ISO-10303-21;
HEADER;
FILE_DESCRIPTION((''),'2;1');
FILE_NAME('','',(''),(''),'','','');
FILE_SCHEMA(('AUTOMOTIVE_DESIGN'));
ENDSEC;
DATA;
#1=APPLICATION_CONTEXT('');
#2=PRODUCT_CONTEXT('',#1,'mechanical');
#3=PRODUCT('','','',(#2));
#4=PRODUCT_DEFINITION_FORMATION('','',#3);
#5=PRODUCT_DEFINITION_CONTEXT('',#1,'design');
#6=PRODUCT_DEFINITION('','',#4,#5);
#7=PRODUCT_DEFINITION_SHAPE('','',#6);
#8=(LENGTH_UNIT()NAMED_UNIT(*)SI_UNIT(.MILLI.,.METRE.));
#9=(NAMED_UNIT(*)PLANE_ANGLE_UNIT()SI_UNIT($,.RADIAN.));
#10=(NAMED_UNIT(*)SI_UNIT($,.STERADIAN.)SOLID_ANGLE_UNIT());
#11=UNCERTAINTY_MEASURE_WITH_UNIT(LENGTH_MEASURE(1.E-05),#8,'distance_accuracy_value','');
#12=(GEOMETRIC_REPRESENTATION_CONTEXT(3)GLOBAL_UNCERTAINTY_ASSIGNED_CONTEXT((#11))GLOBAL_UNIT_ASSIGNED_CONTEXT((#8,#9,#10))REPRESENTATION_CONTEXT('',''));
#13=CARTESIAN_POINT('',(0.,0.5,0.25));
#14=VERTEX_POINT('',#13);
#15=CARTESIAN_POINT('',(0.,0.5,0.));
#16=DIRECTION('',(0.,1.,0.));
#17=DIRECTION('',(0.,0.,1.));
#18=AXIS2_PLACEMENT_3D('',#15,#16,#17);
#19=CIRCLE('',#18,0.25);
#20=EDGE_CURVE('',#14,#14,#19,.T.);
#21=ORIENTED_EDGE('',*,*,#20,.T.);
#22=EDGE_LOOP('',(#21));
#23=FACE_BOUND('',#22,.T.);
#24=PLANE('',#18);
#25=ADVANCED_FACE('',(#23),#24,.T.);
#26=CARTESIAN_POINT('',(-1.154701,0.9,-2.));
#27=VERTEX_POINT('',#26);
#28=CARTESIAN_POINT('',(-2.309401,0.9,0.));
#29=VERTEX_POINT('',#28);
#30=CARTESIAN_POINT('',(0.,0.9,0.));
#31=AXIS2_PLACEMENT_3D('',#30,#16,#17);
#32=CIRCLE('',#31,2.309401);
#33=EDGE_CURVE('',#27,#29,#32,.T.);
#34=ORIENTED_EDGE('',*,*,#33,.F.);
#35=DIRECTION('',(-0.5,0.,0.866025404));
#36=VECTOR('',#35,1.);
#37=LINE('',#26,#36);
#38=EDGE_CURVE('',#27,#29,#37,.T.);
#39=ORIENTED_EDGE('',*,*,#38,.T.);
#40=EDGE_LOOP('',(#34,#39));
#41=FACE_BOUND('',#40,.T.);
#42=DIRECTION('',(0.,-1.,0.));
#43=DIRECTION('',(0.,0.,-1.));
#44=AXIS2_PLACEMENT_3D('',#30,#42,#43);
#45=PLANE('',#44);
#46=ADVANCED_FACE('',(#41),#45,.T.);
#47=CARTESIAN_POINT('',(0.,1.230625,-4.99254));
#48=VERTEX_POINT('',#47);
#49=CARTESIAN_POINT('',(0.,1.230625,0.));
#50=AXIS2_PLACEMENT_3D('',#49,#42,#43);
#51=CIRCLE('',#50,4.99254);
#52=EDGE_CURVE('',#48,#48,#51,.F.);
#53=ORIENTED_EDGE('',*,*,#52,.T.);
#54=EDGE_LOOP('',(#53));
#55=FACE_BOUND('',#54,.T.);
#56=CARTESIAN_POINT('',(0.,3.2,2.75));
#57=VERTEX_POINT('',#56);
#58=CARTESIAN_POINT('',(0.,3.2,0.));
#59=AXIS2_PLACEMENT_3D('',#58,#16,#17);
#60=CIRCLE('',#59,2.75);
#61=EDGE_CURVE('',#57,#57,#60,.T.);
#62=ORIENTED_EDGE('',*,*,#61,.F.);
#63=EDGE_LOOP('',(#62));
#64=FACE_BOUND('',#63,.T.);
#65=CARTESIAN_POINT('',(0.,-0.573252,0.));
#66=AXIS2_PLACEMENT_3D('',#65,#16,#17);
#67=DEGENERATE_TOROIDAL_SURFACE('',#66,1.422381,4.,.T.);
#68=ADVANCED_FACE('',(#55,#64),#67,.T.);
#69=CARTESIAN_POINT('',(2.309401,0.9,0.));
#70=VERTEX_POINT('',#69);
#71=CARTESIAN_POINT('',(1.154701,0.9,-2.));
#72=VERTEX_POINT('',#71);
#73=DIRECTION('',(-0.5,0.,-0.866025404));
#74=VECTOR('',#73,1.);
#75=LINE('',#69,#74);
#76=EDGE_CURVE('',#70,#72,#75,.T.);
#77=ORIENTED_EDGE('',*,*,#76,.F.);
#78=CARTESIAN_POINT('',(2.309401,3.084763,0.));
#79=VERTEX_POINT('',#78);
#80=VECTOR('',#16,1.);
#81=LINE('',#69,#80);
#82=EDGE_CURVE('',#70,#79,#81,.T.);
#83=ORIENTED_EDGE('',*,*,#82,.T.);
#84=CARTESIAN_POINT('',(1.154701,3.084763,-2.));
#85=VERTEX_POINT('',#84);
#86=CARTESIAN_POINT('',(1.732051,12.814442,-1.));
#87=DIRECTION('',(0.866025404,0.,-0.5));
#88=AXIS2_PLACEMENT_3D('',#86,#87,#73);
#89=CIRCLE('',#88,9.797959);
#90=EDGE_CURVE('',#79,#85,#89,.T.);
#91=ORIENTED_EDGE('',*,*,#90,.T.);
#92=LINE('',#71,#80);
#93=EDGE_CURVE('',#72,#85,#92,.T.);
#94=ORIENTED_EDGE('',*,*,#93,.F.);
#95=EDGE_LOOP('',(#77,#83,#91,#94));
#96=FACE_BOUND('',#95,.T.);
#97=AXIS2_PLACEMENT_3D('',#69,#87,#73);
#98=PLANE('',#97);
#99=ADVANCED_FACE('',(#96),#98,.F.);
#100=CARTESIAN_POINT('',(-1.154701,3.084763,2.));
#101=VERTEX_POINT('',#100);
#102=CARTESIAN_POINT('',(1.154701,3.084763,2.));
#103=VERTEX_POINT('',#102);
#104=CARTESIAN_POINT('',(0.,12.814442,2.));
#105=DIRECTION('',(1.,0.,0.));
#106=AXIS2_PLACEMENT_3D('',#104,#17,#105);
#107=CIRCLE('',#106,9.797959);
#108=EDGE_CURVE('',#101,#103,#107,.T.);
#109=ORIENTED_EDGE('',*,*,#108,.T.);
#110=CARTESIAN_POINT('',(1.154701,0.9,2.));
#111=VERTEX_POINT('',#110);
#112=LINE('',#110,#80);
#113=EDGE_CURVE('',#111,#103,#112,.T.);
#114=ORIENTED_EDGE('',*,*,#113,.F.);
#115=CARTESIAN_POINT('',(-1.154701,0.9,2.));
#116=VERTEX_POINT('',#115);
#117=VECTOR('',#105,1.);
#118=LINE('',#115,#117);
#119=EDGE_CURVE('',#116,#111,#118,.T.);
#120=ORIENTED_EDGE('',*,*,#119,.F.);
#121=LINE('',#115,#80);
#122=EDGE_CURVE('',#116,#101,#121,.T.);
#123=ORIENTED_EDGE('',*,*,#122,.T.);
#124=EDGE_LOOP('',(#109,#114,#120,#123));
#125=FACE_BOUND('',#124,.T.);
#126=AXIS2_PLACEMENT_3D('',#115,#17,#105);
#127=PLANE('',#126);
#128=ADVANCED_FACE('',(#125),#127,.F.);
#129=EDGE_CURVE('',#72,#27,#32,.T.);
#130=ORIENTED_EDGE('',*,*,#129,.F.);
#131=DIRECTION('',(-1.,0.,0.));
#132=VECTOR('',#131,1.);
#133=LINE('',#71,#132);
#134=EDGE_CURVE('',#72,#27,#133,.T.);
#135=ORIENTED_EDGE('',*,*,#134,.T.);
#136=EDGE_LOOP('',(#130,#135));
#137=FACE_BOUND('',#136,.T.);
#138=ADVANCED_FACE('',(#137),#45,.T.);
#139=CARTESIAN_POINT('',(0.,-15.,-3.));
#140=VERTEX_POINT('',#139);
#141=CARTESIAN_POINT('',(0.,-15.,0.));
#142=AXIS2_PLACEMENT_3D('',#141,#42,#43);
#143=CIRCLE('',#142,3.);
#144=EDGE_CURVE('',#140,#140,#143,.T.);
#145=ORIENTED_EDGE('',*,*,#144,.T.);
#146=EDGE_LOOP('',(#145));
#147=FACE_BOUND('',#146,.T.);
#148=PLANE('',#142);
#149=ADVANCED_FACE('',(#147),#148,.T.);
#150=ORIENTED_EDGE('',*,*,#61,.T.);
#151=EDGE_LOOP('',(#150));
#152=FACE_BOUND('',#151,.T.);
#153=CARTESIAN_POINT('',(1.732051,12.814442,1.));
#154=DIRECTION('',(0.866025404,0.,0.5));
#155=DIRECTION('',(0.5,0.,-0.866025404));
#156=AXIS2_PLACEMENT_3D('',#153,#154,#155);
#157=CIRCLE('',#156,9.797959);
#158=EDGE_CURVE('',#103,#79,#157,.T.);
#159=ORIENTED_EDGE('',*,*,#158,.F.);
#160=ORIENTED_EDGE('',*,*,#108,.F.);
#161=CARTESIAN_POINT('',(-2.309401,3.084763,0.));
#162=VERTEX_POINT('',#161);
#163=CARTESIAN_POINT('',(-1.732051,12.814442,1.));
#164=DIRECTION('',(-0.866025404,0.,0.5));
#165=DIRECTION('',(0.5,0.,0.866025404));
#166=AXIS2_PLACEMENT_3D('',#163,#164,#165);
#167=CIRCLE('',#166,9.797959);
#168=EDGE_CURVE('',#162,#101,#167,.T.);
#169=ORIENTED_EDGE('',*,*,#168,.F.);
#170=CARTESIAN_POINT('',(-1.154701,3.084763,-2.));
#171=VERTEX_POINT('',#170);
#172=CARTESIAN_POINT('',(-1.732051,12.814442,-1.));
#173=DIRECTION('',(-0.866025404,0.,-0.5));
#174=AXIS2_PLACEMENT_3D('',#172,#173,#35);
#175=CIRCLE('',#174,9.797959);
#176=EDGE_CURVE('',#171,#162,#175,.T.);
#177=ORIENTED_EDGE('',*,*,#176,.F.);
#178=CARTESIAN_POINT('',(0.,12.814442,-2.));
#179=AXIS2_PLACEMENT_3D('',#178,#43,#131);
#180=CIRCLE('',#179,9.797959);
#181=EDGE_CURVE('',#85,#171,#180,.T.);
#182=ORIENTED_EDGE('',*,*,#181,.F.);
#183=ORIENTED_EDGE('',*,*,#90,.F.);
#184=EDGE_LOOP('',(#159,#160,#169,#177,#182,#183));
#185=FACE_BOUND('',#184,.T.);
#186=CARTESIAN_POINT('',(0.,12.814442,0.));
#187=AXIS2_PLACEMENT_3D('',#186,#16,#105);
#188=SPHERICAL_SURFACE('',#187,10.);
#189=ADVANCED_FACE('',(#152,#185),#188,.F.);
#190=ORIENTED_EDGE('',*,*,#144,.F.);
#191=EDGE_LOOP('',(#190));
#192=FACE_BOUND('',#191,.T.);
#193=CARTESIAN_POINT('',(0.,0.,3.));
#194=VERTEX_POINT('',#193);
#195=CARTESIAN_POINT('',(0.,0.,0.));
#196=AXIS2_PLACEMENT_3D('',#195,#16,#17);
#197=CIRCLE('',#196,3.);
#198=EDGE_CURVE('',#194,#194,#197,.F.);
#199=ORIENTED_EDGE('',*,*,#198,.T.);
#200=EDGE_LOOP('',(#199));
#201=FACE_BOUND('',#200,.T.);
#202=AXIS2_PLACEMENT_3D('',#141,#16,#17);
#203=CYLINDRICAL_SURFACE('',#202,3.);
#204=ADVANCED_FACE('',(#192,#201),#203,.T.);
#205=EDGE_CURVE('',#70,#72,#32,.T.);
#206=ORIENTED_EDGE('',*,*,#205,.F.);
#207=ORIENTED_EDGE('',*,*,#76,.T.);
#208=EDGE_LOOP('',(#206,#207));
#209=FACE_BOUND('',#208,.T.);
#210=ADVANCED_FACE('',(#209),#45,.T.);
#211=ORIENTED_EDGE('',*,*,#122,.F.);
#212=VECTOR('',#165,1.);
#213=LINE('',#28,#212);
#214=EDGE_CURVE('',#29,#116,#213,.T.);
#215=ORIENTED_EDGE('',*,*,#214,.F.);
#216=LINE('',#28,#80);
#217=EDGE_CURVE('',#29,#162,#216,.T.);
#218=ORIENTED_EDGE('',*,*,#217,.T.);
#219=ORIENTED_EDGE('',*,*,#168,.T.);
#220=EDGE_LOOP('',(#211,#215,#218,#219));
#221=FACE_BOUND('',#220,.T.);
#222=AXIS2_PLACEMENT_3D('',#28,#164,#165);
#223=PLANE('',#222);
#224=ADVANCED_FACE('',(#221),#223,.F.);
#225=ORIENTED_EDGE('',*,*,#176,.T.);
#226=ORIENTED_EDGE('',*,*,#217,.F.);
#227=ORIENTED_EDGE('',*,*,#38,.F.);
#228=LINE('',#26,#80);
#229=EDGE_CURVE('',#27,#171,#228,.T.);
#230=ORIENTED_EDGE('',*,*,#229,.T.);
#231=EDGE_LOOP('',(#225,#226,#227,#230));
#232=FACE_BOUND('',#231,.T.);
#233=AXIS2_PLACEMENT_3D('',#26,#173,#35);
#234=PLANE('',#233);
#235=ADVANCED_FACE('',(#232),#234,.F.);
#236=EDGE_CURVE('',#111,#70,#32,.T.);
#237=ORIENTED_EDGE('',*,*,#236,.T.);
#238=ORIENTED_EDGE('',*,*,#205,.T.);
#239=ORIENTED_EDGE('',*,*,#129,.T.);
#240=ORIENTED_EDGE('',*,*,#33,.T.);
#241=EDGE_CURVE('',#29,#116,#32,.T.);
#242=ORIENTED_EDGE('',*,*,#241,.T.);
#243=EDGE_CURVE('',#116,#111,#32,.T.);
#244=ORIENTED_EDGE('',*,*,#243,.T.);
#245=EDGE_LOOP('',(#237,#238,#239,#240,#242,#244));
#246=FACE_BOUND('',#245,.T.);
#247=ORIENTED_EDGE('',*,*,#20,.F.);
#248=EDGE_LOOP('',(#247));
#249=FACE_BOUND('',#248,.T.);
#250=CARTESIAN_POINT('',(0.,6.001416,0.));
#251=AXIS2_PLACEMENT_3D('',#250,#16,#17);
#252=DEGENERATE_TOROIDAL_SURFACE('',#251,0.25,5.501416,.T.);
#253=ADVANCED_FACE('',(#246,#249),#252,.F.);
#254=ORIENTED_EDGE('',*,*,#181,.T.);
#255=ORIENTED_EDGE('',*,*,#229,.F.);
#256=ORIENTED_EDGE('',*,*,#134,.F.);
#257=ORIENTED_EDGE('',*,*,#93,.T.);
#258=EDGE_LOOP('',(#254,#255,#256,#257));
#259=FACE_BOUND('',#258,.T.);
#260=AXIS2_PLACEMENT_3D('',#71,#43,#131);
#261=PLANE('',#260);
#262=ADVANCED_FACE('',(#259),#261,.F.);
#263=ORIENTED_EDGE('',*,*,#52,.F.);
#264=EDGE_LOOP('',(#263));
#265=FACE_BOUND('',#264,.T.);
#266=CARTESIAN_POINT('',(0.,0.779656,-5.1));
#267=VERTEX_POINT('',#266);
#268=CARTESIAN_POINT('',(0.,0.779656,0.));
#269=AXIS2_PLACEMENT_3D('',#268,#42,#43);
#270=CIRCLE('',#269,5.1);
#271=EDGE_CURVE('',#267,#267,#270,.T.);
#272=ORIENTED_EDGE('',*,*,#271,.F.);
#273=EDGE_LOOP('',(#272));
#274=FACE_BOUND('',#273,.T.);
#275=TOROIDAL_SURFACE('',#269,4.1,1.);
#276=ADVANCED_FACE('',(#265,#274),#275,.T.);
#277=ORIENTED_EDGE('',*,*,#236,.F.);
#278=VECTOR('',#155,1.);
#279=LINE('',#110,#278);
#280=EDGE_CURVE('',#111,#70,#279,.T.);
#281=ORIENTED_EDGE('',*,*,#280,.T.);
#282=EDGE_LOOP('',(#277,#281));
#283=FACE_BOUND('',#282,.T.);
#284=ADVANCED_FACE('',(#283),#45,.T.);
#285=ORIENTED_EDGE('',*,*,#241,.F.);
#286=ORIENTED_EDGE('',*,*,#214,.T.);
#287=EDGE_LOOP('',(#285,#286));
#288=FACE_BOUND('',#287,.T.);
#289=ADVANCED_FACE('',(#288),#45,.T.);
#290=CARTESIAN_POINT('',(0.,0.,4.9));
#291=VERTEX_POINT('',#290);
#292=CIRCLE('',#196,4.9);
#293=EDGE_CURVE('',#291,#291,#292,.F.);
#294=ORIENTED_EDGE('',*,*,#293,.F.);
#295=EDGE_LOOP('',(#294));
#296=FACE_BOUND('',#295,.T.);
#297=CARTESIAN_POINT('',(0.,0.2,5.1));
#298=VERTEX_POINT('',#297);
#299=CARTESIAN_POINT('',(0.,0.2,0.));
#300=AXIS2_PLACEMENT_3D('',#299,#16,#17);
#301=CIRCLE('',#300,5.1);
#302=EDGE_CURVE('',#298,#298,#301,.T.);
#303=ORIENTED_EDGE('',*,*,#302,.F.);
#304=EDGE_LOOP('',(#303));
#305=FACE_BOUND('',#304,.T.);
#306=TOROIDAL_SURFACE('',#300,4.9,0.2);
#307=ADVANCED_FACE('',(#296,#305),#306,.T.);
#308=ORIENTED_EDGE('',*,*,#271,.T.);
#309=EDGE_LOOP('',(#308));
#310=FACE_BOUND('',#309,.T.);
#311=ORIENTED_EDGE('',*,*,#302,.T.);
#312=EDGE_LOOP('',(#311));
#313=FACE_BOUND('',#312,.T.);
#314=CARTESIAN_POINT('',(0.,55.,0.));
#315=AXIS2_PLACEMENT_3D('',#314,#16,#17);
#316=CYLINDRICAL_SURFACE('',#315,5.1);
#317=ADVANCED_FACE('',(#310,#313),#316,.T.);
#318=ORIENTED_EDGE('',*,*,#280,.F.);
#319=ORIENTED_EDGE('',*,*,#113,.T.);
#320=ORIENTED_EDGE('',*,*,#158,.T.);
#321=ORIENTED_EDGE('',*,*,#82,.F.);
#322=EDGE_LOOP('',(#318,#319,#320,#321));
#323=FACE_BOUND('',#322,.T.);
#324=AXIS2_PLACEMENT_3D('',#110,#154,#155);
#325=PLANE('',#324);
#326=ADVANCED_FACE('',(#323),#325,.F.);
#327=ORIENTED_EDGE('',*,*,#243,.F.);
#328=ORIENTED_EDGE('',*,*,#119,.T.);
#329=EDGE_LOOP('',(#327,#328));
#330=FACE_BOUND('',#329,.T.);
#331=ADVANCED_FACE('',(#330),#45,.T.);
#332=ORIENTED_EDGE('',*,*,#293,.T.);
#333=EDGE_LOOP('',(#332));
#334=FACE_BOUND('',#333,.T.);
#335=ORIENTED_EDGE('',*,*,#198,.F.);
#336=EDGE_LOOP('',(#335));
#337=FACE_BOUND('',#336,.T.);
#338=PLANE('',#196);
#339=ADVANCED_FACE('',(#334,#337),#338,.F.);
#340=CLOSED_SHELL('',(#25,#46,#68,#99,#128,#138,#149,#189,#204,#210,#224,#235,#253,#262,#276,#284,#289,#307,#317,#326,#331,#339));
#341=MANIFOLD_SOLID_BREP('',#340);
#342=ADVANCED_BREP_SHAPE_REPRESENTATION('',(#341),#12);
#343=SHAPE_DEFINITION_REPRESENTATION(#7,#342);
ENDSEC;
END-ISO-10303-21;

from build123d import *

# Parameters (mm, degrees)
FILLET1_R           = 0.2
FILLET2_R           = 1
SKETCH2_R           = 3
BOSS_EXTRUDE1_DEPTH = 15
CUT_EXTRUDE1_DEPTH  = 2.3


with BuildPart() as part:
    # Sketch1 → Revolve1 (revolve)
    with BuildSketch(Plane.XY):
        with BuildLine():
            Line((0, 0), (5.1, 0))
            Line((5.1, 0), (5.1, 1))
            ThreePointArc((5.1, 1), (4.1560785, 2.346833852), (2.75, 3.2))
            Line((2.75, 3.2), (0, 3.2))
            Line((0, 3.2), (0, 0))
        make_face()
    revolve(axis=Axis((0, 55, 0), (0, -1, 0)))

    # Fillet1
    fillet1_edges = [part.edges().sort_by_distance(p)[0] for p in [
        (-5.1, 0, 0),
    ]]
    fillet(fillet1_edges, radius=FILLET1_R)

    # Fillet2
    fillet2_edges = [part.edges().sort_by_distance(p)[0] for p in [
        (-5.1, 1, 0),
    ]]
    fillet(fillet2_edges, radius=FILLET2_R)

    # Sketch2 → Boss-Extrude1 (add)
    with BuildSketch(Plane.XZ):
        Circle(SKETCH2_R)
    extrude(amount=BOSS_EXTRUDE1_DEPTH)

    # Sketch6 → Revolve2 (revolve)
    with BuildSketch(Plane.XY):
        Polygon((0, 0), (0, 3.2), (2.75, 3.2), (4.9, 0), align=None)
    revolve(axis=Axis((0, 55, 0), (0, -1, 0)))

    # Sketch7 → Cut-Extrude1 (cut)
    with BuildSketch(Plane(origin=(0, 3.2, 0), x_dir=(1, 0, 0), z_dir=(0, 1, 0))):
        Polygon((1.154700538, -2), (2.309401077, 0), (1.154700538, 2), (-1.154700538, 2), (-2.309401077, 0), (-1.154700538, -2), align=None)
    extrude(amount=-CUT_EXTRUDE1_DEPTH, mode=Mode.SUBTRACT)

    # Sketch8 → Cut-Revolve1 (revolve, cut)
    with BuildSketch(Plane.XY):
        with BuildLine():
            Line((0, 0.9), (0, 0.5))
            Line((0, 0.5), (0.25, 0.5))
            ThreePointArc((0.25, 0.5), (1.298943849, 0.600925763), (2.309401077, 0.9))
            Line((2.309401077, 0.9), (0, 0.9))
        make_face()
    revolve(axis=Axis((0, 55, 0), (0, -1, 0)), mode=Mode.SUBTRACT)

    # Sketch9 → Cut-Revolve2 (revolve, cut)
    with BuildSketch(Plane.XY):
        with BuildLine():
            ThreePointArc((0, 2.814442262), (1.388448304, 2.911300775), (2.75, 3.2))
            Line((2.75, 3.2), (0, 3.2))
            Line((0, 3.2), (0, 2.814442262))
        make_face()
    revolve(axis=Axis((0, 55, 0), (0, -1, 0)), mode=Mode.SUBTRACT)


solid = part.part
